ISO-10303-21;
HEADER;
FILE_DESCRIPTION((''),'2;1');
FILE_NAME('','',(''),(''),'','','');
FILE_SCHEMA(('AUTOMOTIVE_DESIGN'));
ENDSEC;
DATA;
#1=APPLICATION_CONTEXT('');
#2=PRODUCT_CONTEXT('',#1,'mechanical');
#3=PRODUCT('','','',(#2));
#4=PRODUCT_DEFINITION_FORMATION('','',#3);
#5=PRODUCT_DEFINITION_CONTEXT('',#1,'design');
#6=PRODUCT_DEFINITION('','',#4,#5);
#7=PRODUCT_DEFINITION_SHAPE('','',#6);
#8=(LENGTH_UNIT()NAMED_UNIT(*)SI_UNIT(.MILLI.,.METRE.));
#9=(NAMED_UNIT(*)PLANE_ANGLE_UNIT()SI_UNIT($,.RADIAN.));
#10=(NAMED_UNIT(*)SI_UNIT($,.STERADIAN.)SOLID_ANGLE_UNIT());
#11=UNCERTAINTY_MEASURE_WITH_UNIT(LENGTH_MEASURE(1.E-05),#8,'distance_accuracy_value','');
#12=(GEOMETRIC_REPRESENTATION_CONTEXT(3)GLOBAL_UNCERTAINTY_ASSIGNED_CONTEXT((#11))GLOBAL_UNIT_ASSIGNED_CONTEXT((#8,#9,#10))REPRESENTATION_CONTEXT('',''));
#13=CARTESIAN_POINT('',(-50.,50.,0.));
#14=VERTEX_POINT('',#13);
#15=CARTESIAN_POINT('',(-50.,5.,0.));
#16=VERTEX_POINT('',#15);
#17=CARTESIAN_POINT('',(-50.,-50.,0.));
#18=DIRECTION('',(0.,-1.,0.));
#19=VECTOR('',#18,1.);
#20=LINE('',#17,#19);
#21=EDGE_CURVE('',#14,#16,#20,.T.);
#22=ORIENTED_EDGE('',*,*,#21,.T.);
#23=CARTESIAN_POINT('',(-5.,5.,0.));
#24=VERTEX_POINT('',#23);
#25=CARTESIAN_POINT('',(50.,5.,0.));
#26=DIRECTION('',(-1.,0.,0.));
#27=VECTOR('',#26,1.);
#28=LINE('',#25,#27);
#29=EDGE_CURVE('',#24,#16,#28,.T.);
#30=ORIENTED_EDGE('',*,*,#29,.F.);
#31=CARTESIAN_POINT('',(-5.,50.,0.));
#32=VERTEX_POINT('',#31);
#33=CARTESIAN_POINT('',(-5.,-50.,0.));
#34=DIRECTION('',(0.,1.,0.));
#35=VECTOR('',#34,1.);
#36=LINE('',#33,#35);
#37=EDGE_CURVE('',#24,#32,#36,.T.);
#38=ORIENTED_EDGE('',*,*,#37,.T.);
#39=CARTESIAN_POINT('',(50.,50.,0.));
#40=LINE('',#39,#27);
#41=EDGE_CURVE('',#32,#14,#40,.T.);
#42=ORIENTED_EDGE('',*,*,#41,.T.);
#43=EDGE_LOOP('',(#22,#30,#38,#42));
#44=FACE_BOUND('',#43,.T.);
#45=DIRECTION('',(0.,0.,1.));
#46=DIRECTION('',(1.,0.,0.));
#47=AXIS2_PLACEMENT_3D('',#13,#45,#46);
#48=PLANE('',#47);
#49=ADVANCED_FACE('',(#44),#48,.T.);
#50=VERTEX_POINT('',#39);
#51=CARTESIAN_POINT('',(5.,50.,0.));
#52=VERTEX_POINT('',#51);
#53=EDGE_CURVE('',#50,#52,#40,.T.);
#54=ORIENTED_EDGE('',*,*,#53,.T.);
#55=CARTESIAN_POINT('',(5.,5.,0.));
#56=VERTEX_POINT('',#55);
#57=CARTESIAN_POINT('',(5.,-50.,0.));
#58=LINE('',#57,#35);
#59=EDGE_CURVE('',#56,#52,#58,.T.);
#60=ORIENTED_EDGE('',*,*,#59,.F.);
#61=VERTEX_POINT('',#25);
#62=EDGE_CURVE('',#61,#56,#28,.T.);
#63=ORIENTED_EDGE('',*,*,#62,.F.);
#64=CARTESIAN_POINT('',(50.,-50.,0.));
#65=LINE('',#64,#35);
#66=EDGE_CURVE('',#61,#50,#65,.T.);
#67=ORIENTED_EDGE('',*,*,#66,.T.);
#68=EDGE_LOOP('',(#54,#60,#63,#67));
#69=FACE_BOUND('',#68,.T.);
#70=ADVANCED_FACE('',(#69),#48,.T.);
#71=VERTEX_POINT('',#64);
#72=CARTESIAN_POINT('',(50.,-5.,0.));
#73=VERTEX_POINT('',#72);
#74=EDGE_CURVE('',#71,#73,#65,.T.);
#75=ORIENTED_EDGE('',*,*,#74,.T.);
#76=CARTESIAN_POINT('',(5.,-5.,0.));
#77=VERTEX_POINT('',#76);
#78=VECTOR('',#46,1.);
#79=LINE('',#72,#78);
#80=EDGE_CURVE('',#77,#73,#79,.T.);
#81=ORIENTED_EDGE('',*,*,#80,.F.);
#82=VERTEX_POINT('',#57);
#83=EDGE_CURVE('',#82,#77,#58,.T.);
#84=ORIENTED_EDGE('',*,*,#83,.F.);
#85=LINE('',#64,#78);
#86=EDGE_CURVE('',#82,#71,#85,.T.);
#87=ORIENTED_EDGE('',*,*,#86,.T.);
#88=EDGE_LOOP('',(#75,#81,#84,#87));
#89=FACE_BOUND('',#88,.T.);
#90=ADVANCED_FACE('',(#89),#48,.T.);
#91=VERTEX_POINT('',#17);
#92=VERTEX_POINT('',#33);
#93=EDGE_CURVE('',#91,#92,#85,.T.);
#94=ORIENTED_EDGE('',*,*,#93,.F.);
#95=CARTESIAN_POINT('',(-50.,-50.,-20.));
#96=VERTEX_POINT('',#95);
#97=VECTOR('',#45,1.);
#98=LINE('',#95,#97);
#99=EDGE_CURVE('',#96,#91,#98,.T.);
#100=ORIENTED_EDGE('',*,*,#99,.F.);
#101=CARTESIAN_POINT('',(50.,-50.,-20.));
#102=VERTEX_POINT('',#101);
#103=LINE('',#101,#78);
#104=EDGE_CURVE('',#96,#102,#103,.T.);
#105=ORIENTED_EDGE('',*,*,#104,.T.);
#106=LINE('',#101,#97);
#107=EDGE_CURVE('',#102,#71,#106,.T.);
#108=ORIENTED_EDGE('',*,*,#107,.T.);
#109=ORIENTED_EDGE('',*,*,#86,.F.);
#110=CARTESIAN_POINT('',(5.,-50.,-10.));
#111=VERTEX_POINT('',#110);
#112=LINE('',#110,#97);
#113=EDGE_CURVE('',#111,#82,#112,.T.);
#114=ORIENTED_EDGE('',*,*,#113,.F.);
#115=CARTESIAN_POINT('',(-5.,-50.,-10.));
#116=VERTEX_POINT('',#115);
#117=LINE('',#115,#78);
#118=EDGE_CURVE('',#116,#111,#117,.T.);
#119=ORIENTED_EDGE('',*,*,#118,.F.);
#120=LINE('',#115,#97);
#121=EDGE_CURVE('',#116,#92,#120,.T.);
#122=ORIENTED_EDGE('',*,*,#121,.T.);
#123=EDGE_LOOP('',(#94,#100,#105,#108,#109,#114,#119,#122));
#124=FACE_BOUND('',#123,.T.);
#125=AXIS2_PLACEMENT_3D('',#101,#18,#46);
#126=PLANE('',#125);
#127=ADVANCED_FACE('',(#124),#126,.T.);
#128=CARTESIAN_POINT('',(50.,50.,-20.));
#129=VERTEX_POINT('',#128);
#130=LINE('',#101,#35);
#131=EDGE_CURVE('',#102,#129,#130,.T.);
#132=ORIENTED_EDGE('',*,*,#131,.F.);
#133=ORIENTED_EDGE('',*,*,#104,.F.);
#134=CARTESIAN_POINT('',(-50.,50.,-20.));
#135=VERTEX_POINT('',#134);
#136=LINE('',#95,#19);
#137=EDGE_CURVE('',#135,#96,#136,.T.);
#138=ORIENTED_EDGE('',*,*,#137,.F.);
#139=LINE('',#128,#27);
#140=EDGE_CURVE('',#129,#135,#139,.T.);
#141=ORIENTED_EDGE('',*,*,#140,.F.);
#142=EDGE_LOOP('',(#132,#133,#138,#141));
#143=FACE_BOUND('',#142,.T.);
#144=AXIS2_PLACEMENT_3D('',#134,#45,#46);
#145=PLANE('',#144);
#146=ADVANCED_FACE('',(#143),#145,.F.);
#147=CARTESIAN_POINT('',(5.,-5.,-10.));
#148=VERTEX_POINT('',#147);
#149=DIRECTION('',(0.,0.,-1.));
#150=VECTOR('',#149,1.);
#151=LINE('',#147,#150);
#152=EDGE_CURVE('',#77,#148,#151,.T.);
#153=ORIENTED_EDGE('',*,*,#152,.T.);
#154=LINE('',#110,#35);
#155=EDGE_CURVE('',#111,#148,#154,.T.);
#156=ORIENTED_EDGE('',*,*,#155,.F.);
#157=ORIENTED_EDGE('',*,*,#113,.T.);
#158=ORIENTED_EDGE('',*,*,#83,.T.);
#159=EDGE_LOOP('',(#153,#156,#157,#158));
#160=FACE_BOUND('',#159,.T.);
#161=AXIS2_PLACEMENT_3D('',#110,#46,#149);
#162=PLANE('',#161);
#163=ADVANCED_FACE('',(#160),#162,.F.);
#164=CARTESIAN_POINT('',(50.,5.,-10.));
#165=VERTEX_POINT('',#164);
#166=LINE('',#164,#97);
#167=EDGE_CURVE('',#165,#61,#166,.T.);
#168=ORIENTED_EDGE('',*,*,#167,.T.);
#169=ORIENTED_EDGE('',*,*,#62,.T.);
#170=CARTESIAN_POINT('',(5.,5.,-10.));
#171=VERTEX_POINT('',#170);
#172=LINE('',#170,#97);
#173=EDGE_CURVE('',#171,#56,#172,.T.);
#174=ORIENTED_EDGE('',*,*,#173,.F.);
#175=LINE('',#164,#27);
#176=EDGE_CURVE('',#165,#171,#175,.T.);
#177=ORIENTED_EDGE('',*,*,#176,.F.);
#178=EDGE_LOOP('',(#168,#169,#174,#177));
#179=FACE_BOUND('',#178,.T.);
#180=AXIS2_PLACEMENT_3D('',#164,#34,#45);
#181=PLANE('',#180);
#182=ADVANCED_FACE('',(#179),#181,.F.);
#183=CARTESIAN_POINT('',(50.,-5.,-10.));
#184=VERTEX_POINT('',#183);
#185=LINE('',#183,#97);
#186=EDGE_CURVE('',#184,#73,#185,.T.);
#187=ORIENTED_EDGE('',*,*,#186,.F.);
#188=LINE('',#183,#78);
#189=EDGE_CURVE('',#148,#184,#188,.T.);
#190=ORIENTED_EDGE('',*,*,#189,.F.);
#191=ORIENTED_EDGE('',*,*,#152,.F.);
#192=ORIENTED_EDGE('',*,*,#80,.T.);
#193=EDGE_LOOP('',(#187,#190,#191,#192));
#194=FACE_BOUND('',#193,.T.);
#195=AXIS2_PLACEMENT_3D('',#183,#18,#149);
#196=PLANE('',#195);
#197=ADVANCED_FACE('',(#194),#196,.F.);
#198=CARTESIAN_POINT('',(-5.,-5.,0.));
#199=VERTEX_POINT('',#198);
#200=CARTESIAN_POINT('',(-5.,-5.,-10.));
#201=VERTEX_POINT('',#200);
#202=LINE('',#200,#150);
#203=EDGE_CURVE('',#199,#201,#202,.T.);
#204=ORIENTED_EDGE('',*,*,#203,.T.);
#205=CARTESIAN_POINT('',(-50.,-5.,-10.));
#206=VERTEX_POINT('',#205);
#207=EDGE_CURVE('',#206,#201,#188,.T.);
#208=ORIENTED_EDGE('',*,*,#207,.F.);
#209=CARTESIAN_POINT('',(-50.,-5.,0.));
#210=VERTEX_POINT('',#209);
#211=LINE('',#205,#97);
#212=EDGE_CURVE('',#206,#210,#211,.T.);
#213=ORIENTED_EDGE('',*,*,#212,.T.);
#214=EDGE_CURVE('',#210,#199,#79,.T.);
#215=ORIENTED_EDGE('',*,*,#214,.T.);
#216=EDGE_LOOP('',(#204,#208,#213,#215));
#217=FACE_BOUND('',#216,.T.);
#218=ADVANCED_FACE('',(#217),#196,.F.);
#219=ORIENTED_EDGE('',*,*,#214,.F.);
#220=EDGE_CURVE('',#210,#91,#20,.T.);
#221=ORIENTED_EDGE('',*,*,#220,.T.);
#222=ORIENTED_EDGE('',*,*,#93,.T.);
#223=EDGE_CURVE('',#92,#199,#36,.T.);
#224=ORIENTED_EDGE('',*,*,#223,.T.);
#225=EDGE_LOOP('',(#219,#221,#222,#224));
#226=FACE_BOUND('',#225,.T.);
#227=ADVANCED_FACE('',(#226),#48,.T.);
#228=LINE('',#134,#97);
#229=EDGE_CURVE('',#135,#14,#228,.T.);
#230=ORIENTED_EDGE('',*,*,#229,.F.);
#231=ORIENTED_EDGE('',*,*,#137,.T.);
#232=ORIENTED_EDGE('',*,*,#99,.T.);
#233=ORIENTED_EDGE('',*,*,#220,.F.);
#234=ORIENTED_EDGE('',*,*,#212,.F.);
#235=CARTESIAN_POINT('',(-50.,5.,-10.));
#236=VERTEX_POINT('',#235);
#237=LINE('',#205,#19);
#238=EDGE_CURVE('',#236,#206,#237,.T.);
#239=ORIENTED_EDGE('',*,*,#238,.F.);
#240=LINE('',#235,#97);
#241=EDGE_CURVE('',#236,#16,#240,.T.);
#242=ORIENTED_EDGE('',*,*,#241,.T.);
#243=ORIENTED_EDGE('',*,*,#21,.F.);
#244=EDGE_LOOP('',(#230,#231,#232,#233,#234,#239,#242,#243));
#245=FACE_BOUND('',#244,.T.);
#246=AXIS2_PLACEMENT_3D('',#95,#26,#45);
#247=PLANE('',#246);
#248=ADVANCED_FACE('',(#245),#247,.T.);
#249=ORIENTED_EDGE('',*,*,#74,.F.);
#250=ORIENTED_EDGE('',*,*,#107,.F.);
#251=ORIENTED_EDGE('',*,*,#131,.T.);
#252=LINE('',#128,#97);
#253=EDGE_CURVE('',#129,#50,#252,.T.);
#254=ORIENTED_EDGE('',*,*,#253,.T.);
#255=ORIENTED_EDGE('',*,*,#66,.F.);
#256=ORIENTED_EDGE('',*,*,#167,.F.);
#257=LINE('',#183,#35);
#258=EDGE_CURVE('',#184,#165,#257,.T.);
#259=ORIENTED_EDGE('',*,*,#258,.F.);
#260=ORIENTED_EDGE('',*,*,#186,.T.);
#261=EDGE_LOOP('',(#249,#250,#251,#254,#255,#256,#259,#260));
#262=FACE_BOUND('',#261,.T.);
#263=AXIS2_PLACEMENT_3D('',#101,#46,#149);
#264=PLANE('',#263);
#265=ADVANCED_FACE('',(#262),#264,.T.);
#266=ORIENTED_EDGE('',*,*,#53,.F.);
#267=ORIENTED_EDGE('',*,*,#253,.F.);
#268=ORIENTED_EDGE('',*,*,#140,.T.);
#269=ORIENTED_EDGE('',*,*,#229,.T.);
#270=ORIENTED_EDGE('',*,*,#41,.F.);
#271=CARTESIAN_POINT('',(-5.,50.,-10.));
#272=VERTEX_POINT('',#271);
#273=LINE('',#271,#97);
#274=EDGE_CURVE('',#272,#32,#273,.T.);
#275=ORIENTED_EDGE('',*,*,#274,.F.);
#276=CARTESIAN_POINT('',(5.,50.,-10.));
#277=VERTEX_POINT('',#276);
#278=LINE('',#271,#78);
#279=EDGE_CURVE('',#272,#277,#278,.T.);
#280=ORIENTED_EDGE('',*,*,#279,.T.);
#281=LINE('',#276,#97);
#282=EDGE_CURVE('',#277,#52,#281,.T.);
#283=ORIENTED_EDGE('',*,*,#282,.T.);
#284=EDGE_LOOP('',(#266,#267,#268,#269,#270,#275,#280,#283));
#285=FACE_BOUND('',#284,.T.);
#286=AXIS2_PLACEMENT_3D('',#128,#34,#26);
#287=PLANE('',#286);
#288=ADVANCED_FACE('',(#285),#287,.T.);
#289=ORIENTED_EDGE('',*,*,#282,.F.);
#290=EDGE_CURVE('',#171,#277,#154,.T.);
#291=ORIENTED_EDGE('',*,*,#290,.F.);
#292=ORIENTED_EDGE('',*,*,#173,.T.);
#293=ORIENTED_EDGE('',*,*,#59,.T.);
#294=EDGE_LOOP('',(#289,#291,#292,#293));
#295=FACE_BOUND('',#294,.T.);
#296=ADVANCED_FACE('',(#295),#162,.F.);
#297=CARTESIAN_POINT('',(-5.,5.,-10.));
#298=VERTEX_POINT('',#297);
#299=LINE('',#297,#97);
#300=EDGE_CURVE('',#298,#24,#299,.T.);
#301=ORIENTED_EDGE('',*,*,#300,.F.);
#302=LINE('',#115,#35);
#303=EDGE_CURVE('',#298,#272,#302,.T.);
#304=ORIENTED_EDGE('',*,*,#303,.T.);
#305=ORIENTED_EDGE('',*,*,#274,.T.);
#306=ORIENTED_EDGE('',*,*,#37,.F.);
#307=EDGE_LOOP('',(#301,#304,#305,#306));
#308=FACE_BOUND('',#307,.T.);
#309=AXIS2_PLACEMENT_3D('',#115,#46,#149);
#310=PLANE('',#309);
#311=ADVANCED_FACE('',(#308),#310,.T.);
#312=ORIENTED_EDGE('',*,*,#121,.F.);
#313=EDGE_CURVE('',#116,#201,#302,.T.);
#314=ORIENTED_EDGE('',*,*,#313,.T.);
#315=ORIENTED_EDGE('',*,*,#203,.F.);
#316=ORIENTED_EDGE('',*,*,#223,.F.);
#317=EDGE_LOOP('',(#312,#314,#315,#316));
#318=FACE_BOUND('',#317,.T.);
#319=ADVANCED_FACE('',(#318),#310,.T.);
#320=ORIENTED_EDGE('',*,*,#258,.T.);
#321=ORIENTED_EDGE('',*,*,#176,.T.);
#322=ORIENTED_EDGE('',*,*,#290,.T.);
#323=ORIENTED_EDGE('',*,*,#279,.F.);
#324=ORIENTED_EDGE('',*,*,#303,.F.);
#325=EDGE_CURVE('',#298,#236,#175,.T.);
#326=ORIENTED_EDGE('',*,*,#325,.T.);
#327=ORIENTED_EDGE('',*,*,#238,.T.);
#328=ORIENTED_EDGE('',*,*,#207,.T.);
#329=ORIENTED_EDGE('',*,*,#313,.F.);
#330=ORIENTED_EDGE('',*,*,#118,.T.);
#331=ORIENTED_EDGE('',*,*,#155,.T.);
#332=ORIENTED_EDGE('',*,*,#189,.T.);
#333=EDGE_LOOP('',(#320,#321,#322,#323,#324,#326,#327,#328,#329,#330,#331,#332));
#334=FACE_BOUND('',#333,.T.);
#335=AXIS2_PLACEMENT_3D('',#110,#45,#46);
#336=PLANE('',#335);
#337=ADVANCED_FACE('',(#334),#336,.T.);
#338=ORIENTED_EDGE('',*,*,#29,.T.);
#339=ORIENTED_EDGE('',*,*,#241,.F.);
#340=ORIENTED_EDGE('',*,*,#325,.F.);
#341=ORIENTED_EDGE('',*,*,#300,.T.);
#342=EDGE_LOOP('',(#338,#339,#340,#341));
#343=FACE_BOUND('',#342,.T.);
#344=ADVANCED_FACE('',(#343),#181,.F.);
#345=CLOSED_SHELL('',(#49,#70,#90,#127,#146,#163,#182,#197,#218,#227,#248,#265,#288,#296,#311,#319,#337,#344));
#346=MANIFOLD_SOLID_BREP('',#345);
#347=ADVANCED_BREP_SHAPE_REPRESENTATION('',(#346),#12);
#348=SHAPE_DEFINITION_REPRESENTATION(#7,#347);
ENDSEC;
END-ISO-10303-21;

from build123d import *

# Parameters (mm, degrees)
SKETCH1_W      = 100
SKETCH1_H      = 100
EXTRUDE1_DEPTH = 20
SKETCH2_W      = 10
SKETCH2_H      = 100
EXTRUDE2_DEPTH = 10
SKETCH3_W      = 100
SKETCH3_H      = 10
EXTRUDE3_DEPTH = 10


with BuildPart() as part:
    # Sketch1 → Extrude1 (new body)
    with BuildSketch(Plane.XY):
        Rectangle(SKETCH1_W, SKETCH1_H)
    extrude(amount=-EXTRUDE1_DEPTH)

    # Sketch2 → Extrude2 (cut)
    with BuildSketch(Plane.XY):
        Rectangle(SKETCH2_W, SKETCH2_H)
    extrude(amount=-EXTRUDE2_DEPTH, mode=Mode.SUBTRACT)

    # Sketch3 → Extrude3 (cut)
    with BuildSketch(Plane.XY):
        Rectangle(SKETCH3_W, SKETCH3_H)
    extrude(amount=-EXTRUDE3_DEPTH, mode=Mode.SUBTRACT)


solid = part.part
